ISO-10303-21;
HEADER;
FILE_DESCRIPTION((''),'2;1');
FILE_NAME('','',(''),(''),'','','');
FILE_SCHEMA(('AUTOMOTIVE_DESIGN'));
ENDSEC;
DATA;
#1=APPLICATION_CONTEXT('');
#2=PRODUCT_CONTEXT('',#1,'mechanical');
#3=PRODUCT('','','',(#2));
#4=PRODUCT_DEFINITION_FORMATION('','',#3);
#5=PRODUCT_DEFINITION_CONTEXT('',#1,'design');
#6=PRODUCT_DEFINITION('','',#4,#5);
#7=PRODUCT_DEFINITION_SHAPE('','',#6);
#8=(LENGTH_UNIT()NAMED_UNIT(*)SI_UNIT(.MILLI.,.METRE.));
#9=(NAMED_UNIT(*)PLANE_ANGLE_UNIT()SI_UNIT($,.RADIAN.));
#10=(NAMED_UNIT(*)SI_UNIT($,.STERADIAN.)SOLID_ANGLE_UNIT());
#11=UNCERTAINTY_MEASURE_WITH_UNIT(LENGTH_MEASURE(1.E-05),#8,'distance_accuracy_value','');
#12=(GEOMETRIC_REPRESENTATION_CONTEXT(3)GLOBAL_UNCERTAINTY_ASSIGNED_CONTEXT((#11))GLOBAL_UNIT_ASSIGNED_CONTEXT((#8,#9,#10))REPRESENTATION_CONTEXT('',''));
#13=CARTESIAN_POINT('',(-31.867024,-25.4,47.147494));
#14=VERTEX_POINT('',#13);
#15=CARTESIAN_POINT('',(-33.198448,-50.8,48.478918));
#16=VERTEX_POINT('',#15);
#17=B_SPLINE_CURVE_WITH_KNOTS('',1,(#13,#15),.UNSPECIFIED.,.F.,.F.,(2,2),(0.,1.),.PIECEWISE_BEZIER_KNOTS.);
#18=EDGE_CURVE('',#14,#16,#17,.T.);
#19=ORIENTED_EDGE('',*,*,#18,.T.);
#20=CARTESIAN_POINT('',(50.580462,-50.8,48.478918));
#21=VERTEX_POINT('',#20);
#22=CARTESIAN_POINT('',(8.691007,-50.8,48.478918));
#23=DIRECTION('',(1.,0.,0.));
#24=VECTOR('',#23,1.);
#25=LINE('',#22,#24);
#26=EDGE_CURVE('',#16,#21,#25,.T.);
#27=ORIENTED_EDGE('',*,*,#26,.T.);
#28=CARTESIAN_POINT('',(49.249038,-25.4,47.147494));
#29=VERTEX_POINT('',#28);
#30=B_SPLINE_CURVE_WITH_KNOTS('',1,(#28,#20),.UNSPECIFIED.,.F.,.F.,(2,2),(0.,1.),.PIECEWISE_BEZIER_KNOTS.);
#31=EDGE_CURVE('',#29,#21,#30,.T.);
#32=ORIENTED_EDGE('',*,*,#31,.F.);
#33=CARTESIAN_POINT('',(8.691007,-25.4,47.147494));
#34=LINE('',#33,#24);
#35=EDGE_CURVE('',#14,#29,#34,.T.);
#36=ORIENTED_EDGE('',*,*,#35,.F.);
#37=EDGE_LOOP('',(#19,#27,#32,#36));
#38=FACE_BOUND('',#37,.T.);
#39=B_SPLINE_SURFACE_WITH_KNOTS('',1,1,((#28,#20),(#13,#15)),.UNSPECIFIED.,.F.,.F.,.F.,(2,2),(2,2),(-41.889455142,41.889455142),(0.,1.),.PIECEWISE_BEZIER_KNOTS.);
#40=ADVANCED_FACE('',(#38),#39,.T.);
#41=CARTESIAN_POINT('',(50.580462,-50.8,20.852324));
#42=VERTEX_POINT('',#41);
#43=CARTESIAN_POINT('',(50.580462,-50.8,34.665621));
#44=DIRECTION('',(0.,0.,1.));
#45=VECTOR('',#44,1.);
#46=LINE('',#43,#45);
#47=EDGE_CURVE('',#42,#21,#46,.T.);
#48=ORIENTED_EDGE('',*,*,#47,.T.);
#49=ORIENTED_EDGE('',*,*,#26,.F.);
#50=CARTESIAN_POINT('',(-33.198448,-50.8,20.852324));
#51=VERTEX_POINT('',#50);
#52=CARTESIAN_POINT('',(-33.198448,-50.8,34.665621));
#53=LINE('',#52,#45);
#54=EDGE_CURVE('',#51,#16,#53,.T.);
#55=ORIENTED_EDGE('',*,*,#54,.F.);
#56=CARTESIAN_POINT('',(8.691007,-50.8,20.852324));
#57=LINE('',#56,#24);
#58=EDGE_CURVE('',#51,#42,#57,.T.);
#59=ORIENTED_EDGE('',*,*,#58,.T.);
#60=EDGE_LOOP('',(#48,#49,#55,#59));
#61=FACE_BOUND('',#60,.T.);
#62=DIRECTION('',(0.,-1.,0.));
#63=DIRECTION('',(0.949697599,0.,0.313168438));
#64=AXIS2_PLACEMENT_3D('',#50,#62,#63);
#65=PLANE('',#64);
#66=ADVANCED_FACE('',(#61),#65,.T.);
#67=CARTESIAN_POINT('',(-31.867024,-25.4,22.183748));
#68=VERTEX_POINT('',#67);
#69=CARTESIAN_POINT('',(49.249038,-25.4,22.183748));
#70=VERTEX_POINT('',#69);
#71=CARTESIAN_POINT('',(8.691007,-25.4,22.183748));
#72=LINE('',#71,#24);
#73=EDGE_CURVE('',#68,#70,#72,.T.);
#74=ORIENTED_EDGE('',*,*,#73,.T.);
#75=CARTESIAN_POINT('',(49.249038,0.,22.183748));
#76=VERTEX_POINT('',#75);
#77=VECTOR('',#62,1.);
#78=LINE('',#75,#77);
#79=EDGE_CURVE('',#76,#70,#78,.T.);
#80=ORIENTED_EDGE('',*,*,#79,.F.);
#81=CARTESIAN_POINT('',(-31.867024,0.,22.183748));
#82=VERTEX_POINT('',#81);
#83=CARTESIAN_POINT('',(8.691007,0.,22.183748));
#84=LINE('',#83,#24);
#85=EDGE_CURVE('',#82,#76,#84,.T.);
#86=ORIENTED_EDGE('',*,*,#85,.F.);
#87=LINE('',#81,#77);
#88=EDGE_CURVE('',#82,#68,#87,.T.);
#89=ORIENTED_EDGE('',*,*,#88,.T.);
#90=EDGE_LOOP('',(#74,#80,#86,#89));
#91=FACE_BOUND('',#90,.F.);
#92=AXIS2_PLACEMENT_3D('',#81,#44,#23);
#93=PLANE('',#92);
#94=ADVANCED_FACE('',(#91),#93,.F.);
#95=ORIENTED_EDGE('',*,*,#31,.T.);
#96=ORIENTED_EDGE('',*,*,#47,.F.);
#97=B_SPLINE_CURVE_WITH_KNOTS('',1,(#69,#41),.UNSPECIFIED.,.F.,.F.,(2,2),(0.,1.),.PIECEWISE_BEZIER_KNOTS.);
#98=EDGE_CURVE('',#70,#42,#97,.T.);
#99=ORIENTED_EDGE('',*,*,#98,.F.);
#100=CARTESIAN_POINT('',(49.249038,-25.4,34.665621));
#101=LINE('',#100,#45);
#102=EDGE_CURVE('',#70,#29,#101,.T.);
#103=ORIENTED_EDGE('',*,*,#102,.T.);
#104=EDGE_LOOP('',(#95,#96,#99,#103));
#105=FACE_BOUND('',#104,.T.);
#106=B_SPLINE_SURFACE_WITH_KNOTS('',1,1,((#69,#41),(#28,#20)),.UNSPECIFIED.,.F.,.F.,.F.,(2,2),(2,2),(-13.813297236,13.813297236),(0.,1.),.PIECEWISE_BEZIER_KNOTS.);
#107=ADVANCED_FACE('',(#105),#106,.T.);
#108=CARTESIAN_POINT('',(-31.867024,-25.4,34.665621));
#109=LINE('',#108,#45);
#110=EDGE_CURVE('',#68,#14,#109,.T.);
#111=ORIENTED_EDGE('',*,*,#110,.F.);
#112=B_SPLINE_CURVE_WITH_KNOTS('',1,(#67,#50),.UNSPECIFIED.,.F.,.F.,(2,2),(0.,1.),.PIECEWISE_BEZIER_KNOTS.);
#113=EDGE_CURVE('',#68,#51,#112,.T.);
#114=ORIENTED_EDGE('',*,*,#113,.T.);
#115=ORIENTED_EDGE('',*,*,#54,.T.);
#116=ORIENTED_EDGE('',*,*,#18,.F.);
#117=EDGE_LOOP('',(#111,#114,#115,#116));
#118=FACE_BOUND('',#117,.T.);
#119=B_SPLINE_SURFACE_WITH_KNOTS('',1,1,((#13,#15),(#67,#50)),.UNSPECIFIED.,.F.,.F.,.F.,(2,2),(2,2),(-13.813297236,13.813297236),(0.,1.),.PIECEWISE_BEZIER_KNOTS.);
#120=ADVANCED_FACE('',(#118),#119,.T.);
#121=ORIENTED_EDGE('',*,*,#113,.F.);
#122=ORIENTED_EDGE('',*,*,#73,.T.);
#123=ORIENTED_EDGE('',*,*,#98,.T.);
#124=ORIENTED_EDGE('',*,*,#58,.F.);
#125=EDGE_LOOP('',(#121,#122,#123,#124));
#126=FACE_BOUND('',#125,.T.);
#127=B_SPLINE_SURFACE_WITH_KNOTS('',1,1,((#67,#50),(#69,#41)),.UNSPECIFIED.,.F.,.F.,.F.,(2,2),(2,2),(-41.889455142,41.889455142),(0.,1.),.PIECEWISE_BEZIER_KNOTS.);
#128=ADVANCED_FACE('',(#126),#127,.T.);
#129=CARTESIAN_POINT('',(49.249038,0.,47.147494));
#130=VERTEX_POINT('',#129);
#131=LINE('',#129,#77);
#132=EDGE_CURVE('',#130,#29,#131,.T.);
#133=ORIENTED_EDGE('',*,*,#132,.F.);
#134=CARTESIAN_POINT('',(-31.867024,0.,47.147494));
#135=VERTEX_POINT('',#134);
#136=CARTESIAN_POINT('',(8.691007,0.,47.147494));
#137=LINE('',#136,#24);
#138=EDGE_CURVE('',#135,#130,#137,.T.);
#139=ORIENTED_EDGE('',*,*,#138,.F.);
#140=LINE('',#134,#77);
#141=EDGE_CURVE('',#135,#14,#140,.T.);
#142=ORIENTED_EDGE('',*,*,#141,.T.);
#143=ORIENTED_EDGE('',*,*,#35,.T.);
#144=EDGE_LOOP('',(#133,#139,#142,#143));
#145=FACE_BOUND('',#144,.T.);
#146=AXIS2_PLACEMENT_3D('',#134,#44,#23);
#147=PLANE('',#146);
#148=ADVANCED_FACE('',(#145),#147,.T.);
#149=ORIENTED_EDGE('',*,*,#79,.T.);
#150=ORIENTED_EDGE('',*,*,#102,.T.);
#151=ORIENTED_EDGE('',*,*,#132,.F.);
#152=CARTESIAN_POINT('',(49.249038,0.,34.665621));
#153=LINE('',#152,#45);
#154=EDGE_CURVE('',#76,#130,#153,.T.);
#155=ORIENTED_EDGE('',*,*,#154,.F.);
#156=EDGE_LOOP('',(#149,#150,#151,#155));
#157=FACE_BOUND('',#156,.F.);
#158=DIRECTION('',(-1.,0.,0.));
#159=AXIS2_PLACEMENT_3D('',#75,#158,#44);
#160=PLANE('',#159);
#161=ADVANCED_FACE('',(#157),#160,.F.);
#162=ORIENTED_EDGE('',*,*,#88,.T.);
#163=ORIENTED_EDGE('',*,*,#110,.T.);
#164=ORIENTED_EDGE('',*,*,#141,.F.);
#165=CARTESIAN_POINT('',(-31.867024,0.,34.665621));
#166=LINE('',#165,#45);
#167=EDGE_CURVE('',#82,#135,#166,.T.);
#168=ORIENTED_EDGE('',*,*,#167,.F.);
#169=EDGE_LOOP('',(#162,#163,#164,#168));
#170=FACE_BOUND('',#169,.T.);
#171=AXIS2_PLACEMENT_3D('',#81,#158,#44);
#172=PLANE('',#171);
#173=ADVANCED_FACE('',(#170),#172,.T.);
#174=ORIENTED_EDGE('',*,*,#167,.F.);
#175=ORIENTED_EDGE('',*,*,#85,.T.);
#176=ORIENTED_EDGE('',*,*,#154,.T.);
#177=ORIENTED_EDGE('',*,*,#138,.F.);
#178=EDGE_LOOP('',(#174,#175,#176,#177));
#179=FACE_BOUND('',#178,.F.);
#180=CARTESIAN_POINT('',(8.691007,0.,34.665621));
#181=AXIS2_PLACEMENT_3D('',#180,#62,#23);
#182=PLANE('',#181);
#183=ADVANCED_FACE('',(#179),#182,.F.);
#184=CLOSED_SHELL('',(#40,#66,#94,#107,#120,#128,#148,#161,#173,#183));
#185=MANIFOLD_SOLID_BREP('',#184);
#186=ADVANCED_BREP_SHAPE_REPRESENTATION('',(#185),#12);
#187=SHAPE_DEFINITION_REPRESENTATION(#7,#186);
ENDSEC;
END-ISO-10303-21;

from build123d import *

# Parameters (mm, degrees)
F0_W      = 81.1160616577
F0_H      = 24.9637458473
F1_DEPTH  = 25.4
F1_FACE_W = 81.1160616577
F1_FACE_H = 24.9637458473
F2_DEPTH  = 25.4
F2_TAPER  = -3.0006


with BuildPart() as f1:
    # F0 (on Front) → F1 (new body)
    with BuildSketch(Plane.XZ):
        with Locations((8.6910072714, 34.6656208858)):
            Rectangle(F0_W, F0_H)
    extrude(amount=F1_DEPTH)

    # F1_face (on face) → F2 (join)
    with BuildSketch(Plane(origin=(8.6910072714, -25.4, 34.6656208858), x_dir=(1, 0, 0), z_dir=(0, -1, 0))):
        Rectangle(F1_FACE_W, F1_FACE_H)
    extrude(amount=F2_DEPTH, taper=F2_TAPER)


solid = f1.part
